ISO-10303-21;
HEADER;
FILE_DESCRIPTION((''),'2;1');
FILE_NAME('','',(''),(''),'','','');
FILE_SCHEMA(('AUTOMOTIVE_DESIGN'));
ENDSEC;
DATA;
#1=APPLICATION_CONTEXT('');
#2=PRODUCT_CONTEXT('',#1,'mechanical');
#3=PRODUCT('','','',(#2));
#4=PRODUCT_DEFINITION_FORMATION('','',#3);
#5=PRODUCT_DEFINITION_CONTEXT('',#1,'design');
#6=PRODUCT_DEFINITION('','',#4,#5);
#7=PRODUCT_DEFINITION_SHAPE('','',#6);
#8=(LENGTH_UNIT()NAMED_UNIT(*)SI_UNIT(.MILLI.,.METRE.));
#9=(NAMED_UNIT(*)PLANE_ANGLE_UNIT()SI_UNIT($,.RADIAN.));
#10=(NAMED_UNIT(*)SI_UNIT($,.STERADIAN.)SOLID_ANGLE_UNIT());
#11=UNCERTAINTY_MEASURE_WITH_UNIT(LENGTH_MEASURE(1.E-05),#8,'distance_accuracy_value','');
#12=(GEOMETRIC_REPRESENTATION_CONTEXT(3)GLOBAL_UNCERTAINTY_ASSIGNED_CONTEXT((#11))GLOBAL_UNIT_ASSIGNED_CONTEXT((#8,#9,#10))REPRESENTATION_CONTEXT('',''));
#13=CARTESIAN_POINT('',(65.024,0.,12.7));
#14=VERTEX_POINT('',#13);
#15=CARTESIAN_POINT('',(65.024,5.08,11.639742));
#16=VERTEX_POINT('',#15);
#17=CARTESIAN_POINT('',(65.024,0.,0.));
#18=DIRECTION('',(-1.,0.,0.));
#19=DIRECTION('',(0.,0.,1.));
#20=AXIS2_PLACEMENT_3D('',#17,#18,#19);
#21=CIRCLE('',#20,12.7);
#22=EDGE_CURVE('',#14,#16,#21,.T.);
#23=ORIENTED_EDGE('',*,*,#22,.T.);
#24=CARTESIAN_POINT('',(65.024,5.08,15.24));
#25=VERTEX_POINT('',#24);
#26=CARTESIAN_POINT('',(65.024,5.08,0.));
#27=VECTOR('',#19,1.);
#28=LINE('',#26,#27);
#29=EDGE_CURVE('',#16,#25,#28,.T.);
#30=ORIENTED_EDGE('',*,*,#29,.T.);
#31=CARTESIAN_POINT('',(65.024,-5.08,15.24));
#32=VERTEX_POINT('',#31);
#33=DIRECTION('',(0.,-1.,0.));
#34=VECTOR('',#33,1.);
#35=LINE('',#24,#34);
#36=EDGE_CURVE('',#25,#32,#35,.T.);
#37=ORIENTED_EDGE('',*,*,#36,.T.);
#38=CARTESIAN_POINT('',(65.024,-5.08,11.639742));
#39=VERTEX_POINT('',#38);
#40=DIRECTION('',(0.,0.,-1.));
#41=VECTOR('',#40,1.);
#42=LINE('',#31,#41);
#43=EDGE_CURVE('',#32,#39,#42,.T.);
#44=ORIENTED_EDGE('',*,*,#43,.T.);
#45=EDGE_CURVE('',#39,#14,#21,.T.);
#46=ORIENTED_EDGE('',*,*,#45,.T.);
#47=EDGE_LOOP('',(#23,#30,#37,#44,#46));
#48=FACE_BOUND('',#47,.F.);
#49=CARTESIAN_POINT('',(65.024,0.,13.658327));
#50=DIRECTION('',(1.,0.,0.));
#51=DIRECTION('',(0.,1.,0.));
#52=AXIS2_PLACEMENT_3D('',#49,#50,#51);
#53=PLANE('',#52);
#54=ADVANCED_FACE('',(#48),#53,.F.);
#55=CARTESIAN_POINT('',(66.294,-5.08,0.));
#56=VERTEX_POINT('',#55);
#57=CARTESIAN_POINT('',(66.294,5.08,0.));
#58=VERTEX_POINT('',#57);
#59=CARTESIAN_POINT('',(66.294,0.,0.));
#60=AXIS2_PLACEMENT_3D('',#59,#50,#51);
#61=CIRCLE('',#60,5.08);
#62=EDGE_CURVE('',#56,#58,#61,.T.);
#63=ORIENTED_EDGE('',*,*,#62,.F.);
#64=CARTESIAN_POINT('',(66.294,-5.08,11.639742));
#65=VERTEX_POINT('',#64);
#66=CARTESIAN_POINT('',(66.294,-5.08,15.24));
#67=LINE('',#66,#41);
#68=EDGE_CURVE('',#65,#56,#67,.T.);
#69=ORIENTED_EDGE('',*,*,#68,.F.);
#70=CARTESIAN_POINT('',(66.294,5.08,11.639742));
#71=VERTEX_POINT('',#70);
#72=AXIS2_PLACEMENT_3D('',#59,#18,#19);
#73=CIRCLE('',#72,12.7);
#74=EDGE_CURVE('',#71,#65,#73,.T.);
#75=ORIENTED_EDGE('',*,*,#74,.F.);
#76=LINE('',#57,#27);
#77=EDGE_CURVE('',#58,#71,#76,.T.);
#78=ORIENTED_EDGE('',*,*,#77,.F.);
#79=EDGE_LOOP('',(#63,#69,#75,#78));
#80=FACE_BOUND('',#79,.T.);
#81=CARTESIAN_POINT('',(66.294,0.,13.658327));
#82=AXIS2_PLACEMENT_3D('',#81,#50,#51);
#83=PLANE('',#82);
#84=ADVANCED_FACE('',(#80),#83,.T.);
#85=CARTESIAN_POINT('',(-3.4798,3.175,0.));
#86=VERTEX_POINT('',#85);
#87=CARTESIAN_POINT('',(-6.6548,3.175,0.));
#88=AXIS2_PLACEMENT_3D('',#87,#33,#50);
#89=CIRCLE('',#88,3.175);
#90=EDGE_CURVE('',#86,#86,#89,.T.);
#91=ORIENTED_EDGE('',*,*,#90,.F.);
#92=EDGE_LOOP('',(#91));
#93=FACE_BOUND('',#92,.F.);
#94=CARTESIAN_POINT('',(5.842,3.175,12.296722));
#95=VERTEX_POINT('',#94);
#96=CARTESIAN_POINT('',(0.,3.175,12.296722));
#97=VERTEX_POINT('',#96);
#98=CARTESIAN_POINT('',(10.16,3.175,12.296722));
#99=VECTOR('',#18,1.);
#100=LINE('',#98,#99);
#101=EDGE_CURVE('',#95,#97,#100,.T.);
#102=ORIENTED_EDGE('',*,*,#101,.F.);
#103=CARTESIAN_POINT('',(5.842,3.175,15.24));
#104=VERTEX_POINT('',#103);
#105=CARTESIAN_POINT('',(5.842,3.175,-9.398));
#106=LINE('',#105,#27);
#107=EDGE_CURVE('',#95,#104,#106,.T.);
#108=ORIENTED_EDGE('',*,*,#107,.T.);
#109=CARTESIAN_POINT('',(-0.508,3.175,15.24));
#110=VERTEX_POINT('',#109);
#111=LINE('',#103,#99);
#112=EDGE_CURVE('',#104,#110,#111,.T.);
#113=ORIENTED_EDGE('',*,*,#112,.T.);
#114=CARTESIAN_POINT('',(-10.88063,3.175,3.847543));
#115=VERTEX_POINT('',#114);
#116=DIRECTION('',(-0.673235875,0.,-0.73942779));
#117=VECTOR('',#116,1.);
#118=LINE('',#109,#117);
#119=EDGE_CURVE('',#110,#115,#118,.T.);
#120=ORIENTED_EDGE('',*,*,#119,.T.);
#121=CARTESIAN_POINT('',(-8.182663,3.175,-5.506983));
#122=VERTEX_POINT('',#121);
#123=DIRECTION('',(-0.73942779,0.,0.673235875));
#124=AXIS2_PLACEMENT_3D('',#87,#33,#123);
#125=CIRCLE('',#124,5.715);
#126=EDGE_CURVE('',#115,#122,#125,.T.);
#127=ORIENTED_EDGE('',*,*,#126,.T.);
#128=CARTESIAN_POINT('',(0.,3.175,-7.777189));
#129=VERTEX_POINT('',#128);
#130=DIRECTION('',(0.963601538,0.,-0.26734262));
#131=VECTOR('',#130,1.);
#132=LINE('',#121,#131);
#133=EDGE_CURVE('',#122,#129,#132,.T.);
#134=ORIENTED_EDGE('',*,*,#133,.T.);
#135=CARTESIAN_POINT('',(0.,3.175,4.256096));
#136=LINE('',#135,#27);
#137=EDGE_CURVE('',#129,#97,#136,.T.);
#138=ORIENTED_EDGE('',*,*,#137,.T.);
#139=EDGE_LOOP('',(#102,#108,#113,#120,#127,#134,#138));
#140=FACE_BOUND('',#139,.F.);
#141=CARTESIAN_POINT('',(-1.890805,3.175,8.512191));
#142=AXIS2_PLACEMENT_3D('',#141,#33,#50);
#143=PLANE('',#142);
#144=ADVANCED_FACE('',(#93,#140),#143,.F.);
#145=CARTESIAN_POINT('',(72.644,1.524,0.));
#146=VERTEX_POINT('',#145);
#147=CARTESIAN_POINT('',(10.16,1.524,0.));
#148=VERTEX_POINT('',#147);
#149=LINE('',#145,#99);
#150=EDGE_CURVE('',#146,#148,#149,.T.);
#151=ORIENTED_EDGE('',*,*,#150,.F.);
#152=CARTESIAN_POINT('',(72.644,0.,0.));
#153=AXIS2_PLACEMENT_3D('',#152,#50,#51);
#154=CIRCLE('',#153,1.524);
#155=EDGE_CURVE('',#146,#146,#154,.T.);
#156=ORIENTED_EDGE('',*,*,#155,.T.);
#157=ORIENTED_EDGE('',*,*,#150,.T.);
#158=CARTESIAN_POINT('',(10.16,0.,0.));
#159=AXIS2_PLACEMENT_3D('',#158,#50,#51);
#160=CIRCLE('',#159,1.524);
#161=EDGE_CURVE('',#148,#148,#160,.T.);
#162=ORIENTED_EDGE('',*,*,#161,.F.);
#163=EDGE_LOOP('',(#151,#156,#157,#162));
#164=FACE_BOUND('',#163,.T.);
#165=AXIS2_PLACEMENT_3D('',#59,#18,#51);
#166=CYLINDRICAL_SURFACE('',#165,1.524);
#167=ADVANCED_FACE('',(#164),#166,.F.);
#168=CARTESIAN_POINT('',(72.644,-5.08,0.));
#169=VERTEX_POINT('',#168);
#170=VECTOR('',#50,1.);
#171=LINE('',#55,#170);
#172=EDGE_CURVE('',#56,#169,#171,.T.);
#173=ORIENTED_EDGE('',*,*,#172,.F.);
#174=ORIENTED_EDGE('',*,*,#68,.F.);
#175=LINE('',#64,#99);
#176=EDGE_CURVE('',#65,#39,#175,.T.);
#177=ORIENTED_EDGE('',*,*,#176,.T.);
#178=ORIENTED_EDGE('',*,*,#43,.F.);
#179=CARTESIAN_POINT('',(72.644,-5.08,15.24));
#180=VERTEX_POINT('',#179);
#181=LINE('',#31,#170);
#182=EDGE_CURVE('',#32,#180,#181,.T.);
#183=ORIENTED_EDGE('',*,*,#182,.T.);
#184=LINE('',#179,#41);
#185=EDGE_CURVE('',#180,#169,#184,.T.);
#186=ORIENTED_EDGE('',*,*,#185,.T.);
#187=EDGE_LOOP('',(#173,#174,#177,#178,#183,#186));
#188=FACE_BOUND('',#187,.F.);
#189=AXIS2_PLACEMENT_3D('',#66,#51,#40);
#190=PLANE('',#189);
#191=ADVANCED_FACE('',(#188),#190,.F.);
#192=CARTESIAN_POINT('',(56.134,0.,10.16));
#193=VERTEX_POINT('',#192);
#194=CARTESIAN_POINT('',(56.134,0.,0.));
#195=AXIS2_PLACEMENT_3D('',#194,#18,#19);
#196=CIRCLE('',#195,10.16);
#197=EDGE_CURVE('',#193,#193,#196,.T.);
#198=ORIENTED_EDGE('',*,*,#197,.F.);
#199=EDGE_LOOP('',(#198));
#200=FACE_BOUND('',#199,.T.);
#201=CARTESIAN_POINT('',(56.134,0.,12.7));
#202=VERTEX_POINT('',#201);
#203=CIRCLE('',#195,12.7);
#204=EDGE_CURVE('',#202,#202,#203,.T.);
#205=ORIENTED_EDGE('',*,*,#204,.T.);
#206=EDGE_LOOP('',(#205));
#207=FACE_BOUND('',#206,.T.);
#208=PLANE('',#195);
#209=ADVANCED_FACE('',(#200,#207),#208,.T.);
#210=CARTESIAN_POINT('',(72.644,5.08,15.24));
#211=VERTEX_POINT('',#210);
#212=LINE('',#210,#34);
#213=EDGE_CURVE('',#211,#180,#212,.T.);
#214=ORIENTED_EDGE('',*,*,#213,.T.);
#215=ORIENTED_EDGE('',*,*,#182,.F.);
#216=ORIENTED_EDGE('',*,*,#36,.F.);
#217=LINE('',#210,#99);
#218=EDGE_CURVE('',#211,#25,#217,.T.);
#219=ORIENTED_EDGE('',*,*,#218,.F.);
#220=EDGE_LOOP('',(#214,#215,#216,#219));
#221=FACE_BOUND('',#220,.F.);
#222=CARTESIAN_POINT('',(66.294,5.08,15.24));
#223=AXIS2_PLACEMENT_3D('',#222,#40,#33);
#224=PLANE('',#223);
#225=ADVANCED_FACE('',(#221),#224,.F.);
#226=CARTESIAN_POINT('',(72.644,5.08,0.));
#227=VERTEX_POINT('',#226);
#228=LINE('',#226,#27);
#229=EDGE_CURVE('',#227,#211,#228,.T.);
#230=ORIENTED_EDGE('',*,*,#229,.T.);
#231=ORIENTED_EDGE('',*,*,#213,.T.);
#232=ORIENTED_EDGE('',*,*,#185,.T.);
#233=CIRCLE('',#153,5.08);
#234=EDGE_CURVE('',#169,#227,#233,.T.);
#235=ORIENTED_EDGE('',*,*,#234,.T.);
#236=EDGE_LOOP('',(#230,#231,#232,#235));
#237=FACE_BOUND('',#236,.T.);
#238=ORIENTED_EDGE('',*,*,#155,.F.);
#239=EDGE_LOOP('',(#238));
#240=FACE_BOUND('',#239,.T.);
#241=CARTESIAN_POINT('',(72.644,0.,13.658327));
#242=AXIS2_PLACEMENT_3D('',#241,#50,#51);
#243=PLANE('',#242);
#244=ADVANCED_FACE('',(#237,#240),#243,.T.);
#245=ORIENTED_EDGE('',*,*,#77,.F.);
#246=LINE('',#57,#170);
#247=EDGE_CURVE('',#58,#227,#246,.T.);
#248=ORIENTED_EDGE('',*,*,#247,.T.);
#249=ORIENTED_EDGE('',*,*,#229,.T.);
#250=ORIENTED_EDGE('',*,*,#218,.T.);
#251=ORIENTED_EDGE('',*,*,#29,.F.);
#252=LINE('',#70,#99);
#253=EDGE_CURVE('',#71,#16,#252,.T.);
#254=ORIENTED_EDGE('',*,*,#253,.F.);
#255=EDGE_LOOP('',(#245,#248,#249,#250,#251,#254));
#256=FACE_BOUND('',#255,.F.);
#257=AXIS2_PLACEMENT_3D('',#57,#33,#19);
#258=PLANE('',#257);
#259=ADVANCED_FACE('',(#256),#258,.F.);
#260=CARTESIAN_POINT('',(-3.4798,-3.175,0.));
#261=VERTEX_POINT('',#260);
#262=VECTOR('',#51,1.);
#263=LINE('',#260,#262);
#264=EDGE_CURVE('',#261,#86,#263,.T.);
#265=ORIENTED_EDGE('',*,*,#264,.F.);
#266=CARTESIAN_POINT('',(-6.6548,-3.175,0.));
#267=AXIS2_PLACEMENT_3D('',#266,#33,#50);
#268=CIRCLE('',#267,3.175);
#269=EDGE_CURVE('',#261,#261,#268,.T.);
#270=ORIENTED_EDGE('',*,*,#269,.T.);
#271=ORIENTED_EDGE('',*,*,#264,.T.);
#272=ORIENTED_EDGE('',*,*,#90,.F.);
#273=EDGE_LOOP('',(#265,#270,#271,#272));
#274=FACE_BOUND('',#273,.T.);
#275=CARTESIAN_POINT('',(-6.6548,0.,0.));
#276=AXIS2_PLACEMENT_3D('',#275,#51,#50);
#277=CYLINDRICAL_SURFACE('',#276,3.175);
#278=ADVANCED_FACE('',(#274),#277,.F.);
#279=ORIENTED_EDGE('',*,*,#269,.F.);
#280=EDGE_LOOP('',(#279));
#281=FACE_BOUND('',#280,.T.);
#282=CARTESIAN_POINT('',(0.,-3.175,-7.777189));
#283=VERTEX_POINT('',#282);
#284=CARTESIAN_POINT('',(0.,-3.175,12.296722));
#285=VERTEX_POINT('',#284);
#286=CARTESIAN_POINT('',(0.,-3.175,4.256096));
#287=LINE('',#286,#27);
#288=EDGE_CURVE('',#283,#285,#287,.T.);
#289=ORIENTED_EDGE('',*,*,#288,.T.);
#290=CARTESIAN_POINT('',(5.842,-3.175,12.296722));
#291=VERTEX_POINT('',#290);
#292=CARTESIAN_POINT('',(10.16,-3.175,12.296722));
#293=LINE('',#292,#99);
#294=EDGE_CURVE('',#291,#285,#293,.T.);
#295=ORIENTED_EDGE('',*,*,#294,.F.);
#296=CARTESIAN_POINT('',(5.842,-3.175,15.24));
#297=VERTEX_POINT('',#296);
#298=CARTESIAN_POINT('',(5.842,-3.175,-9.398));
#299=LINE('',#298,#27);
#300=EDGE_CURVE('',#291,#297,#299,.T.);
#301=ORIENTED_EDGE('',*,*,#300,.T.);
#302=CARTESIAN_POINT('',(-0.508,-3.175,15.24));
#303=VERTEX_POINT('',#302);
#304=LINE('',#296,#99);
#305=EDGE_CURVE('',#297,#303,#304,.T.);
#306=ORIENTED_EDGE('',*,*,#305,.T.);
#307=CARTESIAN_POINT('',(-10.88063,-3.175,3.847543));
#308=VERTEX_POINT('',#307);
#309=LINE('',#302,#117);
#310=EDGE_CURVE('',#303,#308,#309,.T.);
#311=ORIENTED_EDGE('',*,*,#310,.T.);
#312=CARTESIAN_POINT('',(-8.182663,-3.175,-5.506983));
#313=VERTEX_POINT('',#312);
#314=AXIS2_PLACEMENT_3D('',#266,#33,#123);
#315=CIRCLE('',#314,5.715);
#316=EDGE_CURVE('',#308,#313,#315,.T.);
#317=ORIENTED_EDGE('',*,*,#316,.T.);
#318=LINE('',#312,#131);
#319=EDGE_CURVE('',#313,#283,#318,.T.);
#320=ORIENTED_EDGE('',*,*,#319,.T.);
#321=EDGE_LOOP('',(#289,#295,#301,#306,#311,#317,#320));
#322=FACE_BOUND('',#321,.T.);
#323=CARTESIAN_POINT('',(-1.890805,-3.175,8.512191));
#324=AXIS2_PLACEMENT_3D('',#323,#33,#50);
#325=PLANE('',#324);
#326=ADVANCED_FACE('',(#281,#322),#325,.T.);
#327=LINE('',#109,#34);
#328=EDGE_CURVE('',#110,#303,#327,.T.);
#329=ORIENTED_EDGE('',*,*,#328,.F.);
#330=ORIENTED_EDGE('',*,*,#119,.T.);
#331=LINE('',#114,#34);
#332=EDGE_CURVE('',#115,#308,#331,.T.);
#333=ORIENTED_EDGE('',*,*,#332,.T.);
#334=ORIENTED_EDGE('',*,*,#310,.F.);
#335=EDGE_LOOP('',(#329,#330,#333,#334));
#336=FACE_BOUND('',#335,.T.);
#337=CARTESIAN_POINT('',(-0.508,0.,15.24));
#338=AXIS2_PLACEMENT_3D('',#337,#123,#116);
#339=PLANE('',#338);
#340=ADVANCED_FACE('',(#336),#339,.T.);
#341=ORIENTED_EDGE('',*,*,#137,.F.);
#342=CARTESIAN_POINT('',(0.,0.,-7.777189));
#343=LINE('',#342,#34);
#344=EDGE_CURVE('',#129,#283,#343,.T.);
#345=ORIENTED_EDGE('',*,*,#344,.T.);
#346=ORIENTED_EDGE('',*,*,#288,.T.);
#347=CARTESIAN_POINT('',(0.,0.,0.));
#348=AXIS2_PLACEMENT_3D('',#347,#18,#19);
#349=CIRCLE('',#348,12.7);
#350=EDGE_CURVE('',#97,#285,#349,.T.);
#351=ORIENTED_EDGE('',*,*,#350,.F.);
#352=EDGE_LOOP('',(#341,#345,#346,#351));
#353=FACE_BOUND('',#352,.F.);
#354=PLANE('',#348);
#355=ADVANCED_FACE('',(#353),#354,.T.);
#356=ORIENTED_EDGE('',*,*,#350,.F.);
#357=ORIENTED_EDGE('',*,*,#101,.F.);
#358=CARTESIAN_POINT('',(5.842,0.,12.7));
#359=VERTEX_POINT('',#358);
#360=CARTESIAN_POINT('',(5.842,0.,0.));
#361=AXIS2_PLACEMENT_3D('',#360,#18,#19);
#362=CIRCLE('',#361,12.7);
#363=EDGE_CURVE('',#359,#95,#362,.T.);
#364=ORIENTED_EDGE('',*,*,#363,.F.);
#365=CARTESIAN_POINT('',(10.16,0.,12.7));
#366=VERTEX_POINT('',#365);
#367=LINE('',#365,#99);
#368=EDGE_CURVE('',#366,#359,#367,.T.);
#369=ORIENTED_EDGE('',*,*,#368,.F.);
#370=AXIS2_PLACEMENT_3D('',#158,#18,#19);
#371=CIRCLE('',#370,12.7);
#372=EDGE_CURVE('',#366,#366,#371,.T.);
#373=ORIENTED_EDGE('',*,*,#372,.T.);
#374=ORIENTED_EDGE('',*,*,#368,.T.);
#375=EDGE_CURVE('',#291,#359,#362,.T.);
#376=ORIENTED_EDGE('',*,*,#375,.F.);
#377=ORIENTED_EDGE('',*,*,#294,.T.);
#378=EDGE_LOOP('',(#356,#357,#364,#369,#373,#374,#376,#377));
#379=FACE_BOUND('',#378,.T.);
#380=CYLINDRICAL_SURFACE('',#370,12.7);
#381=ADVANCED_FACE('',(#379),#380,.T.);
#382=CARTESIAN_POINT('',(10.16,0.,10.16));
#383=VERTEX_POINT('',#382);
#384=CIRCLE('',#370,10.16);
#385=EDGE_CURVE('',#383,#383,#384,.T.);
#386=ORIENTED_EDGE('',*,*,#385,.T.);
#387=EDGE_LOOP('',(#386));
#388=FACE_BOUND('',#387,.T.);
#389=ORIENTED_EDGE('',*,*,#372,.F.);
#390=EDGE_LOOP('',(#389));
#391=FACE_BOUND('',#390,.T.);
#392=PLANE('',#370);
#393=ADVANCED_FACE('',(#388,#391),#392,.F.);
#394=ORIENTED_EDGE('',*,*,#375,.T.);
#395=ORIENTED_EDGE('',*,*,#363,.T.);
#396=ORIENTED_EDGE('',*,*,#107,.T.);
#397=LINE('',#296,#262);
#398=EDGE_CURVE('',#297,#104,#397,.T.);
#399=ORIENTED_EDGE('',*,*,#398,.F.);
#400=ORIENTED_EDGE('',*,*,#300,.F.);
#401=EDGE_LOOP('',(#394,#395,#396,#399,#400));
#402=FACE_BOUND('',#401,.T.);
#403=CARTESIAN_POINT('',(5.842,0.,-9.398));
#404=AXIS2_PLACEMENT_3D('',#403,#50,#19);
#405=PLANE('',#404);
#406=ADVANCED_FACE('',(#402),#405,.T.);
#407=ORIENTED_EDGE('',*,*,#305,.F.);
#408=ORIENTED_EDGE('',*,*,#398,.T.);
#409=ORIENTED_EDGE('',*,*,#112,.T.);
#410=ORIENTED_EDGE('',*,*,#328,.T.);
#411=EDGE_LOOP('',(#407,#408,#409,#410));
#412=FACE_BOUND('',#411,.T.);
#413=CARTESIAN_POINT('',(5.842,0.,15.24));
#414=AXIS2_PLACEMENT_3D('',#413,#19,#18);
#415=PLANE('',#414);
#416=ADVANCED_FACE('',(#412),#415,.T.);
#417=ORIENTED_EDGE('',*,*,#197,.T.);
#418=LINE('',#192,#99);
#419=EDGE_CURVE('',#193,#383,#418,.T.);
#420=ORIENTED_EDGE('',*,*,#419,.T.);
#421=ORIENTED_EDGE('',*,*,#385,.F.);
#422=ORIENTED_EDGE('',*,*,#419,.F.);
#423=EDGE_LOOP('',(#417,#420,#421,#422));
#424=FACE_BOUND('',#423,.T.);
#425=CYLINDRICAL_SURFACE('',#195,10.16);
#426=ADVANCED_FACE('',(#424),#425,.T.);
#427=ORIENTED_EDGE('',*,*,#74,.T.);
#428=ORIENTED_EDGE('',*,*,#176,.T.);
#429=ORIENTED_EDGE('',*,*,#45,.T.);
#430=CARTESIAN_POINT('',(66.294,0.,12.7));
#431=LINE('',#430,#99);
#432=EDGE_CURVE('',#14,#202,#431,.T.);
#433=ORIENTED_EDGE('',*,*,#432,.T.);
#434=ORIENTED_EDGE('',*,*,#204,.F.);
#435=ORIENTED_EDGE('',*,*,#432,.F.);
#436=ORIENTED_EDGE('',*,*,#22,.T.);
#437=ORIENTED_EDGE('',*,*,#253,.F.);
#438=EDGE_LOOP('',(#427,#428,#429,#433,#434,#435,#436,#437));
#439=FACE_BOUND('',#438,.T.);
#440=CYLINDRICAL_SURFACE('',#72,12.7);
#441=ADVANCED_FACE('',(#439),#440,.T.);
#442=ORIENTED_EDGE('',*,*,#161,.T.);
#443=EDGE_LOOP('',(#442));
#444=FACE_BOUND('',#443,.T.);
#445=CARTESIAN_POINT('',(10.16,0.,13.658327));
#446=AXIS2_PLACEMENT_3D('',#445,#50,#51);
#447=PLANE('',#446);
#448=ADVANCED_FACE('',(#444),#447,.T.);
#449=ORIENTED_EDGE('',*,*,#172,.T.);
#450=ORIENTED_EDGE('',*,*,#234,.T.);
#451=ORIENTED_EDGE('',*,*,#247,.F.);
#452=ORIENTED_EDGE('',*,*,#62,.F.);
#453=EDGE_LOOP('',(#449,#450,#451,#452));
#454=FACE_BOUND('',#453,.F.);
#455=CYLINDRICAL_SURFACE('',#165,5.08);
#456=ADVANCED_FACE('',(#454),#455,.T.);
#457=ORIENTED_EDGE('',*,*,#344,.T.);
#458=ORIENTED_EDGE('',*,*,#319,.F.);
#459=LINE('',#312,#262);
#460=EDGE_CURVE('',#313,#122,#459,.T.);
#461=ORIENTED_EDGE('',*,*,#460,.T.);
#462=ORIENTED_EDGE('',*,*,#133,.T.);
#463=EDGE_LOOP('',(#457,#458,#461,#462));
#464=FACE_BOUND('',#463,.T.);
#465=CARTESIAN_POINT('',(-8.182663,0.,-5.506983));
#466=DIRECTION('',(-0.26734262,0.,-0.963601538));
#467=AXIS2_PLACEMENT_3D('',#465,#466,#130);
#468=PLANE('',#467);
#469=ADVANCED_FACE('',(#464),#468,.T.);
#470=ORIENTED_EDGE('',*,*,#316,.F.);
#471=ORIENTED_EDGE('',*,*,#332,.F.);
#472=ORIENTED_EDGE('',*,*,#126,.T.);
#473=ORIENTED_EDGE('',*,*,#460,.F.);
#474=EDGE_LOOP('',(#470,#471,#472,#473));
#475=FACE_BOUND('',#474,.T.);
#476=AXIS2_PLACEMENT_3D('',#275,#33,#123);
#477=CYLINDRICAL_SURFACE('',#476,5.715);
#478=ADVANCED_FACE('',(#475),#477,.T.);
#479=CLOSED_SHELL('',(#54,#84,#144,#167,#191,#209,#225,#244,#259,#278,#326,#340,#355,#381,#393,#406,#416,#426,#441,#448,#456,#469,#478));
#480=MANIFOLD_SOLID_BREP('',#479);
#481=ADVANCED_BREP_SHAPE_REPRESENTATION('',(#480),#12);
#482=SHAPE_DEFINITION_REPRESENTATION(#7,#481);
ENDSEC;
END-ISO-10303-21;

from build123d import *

# Parameters (mm, degrees)
F0_W          = 5.842
F0_H          = 12.7
F0_R          = 3.175
F1_DEPTH      = 3.175
F3_R          = 1.524
F4_DEPTH      = 1.27
F4_DEPTH_BACK = 6.35
F5_DEPTH      = 56.134


with BuildPart() as f1:
    # F0 (on Front) → F1 (new body, symmetric)
    with BuildSketch(Plane.XZ):
        with BuildLine():
            Line((-0.9398, 0), (0, 0))
            Line((0, 0), (0, 12.7))
            Line((0, 12.7), (5.842, 12.7))
            Line((5.842, 12.7), (5.842, 15.24))
            Line((5.842, 15.24), (-0.508, 15.24))
            Line((-0.508, 15.24), (-10.8806298187, 3.8475430269))
            ThreePointArc((-10.8806298187, 3.8475430269), (-4.5919612295, 5.3297205562), (-0.9398, 0))
        make_face()
        with Locations((2.921, 6.35)):
            Rectangle(F0_W, F0_H)
        with BuildLine():
            Line((5.842, 0), (0, 0))
            Line((0, 0), (-0.9398, 0))
            ThreePointArc((-0.9398, 0), (-3.1957909266, -4.5493385486), (-8.1826630726, -5.5069827884))
            Line((-8.1826630726, -5.5069827884), (5.842, -9.398))
            Line((5.842, -9.398), (5.842, 0))
        make_face()
        with BuildLine():
            ThreePointArc((-8.1826630726, -5.5069827884), (-3.1957909266, -4.5493385486), (-0.9398, 0))
            ThreePointArc((-0.9398, 0), (-4.5919612295, 5.3297205562), (-10.8806298187, 3.8475430269))
            ThreePointArc((-10.8806298187, 3.8475430269), (-12.1459778134, -1.5837270034), (-8.1826630726, -5.5069827884))
        make_face()
        with Locations((-6.6548, 0)):
            Circle(F0_R, mode=Mode.SUBTRACT)
    extrude(amount=F1_DEPTH, both=True)

    # F0 (on Front) → F2 (revolve)
    with BuildSketch(Plane.XZ):
        with Locations((2.921, 6.35)):
            Rectangle(F0_W, F0_H)
        Polygon((5.842, 12.7), (5.842, 0), (66.294, 0), (66.294, 12.7), (56.134, 12.7), (56.134, 10.16), (10.16, 10.16), (10.16, 12.7), align=None)
    revolve(axis=Axis((33.147, 0, 0), (-1, 0, 0)))

    # F3 (on face) → F4 (join, two sides)
    with BuildSketch(Plane.YZ.offset(66.294)) as f4_sk:
        with BuildLine():
            ThreePointArc((-5.08, 11.6397422652), (0, 12.7), (5.08, 11.6397422652))
            Line((5.08, 11.6397422652), (5.08, 15.24))
            Line((5.08, 15.24), (-5.08, 15.24))
            Line((-5.08, 15.24), (-5.08, 11.6397422652))
        make_face()
        with BuildLine():
            ThreePointArc((-5.08, 0), (0, 5.08), (5.08, 0))
            Line((5.08, 0), (5.08, 11.6397422652))
            ThreePointArc((5.08, 11.6397422652), (0, 12.7), (-5.08, 11.6397422652))
            Line((-5.08, 11.6397422652), (-5.08, 0))
        make_face()
        with BuildLine():
            ThreePointArc((-5.08, 0), (0, -5.08), (5.08, 0))
            ThreePointArc((5.08, 0), (0, 5.08), (-5.08, 0))
        make_face()
        Circle(F3_R, mode=Mode.SUBTRACT)
    extrude(amount=-F4_DEPTH)
    extrude(f4_sk.sketch, amount=F4_DEPTH_BACK)

    # F5 (cut): a face of the model
    f5_faces = [f1.faces().sort_by_distance(p)[0] for p in [
        (66.294, 0, 0),
    ]]
    extrude(f5_faces, amount=-F5_DEPTH, mode=Mode.SUBTRACT)


solid = f1.part
